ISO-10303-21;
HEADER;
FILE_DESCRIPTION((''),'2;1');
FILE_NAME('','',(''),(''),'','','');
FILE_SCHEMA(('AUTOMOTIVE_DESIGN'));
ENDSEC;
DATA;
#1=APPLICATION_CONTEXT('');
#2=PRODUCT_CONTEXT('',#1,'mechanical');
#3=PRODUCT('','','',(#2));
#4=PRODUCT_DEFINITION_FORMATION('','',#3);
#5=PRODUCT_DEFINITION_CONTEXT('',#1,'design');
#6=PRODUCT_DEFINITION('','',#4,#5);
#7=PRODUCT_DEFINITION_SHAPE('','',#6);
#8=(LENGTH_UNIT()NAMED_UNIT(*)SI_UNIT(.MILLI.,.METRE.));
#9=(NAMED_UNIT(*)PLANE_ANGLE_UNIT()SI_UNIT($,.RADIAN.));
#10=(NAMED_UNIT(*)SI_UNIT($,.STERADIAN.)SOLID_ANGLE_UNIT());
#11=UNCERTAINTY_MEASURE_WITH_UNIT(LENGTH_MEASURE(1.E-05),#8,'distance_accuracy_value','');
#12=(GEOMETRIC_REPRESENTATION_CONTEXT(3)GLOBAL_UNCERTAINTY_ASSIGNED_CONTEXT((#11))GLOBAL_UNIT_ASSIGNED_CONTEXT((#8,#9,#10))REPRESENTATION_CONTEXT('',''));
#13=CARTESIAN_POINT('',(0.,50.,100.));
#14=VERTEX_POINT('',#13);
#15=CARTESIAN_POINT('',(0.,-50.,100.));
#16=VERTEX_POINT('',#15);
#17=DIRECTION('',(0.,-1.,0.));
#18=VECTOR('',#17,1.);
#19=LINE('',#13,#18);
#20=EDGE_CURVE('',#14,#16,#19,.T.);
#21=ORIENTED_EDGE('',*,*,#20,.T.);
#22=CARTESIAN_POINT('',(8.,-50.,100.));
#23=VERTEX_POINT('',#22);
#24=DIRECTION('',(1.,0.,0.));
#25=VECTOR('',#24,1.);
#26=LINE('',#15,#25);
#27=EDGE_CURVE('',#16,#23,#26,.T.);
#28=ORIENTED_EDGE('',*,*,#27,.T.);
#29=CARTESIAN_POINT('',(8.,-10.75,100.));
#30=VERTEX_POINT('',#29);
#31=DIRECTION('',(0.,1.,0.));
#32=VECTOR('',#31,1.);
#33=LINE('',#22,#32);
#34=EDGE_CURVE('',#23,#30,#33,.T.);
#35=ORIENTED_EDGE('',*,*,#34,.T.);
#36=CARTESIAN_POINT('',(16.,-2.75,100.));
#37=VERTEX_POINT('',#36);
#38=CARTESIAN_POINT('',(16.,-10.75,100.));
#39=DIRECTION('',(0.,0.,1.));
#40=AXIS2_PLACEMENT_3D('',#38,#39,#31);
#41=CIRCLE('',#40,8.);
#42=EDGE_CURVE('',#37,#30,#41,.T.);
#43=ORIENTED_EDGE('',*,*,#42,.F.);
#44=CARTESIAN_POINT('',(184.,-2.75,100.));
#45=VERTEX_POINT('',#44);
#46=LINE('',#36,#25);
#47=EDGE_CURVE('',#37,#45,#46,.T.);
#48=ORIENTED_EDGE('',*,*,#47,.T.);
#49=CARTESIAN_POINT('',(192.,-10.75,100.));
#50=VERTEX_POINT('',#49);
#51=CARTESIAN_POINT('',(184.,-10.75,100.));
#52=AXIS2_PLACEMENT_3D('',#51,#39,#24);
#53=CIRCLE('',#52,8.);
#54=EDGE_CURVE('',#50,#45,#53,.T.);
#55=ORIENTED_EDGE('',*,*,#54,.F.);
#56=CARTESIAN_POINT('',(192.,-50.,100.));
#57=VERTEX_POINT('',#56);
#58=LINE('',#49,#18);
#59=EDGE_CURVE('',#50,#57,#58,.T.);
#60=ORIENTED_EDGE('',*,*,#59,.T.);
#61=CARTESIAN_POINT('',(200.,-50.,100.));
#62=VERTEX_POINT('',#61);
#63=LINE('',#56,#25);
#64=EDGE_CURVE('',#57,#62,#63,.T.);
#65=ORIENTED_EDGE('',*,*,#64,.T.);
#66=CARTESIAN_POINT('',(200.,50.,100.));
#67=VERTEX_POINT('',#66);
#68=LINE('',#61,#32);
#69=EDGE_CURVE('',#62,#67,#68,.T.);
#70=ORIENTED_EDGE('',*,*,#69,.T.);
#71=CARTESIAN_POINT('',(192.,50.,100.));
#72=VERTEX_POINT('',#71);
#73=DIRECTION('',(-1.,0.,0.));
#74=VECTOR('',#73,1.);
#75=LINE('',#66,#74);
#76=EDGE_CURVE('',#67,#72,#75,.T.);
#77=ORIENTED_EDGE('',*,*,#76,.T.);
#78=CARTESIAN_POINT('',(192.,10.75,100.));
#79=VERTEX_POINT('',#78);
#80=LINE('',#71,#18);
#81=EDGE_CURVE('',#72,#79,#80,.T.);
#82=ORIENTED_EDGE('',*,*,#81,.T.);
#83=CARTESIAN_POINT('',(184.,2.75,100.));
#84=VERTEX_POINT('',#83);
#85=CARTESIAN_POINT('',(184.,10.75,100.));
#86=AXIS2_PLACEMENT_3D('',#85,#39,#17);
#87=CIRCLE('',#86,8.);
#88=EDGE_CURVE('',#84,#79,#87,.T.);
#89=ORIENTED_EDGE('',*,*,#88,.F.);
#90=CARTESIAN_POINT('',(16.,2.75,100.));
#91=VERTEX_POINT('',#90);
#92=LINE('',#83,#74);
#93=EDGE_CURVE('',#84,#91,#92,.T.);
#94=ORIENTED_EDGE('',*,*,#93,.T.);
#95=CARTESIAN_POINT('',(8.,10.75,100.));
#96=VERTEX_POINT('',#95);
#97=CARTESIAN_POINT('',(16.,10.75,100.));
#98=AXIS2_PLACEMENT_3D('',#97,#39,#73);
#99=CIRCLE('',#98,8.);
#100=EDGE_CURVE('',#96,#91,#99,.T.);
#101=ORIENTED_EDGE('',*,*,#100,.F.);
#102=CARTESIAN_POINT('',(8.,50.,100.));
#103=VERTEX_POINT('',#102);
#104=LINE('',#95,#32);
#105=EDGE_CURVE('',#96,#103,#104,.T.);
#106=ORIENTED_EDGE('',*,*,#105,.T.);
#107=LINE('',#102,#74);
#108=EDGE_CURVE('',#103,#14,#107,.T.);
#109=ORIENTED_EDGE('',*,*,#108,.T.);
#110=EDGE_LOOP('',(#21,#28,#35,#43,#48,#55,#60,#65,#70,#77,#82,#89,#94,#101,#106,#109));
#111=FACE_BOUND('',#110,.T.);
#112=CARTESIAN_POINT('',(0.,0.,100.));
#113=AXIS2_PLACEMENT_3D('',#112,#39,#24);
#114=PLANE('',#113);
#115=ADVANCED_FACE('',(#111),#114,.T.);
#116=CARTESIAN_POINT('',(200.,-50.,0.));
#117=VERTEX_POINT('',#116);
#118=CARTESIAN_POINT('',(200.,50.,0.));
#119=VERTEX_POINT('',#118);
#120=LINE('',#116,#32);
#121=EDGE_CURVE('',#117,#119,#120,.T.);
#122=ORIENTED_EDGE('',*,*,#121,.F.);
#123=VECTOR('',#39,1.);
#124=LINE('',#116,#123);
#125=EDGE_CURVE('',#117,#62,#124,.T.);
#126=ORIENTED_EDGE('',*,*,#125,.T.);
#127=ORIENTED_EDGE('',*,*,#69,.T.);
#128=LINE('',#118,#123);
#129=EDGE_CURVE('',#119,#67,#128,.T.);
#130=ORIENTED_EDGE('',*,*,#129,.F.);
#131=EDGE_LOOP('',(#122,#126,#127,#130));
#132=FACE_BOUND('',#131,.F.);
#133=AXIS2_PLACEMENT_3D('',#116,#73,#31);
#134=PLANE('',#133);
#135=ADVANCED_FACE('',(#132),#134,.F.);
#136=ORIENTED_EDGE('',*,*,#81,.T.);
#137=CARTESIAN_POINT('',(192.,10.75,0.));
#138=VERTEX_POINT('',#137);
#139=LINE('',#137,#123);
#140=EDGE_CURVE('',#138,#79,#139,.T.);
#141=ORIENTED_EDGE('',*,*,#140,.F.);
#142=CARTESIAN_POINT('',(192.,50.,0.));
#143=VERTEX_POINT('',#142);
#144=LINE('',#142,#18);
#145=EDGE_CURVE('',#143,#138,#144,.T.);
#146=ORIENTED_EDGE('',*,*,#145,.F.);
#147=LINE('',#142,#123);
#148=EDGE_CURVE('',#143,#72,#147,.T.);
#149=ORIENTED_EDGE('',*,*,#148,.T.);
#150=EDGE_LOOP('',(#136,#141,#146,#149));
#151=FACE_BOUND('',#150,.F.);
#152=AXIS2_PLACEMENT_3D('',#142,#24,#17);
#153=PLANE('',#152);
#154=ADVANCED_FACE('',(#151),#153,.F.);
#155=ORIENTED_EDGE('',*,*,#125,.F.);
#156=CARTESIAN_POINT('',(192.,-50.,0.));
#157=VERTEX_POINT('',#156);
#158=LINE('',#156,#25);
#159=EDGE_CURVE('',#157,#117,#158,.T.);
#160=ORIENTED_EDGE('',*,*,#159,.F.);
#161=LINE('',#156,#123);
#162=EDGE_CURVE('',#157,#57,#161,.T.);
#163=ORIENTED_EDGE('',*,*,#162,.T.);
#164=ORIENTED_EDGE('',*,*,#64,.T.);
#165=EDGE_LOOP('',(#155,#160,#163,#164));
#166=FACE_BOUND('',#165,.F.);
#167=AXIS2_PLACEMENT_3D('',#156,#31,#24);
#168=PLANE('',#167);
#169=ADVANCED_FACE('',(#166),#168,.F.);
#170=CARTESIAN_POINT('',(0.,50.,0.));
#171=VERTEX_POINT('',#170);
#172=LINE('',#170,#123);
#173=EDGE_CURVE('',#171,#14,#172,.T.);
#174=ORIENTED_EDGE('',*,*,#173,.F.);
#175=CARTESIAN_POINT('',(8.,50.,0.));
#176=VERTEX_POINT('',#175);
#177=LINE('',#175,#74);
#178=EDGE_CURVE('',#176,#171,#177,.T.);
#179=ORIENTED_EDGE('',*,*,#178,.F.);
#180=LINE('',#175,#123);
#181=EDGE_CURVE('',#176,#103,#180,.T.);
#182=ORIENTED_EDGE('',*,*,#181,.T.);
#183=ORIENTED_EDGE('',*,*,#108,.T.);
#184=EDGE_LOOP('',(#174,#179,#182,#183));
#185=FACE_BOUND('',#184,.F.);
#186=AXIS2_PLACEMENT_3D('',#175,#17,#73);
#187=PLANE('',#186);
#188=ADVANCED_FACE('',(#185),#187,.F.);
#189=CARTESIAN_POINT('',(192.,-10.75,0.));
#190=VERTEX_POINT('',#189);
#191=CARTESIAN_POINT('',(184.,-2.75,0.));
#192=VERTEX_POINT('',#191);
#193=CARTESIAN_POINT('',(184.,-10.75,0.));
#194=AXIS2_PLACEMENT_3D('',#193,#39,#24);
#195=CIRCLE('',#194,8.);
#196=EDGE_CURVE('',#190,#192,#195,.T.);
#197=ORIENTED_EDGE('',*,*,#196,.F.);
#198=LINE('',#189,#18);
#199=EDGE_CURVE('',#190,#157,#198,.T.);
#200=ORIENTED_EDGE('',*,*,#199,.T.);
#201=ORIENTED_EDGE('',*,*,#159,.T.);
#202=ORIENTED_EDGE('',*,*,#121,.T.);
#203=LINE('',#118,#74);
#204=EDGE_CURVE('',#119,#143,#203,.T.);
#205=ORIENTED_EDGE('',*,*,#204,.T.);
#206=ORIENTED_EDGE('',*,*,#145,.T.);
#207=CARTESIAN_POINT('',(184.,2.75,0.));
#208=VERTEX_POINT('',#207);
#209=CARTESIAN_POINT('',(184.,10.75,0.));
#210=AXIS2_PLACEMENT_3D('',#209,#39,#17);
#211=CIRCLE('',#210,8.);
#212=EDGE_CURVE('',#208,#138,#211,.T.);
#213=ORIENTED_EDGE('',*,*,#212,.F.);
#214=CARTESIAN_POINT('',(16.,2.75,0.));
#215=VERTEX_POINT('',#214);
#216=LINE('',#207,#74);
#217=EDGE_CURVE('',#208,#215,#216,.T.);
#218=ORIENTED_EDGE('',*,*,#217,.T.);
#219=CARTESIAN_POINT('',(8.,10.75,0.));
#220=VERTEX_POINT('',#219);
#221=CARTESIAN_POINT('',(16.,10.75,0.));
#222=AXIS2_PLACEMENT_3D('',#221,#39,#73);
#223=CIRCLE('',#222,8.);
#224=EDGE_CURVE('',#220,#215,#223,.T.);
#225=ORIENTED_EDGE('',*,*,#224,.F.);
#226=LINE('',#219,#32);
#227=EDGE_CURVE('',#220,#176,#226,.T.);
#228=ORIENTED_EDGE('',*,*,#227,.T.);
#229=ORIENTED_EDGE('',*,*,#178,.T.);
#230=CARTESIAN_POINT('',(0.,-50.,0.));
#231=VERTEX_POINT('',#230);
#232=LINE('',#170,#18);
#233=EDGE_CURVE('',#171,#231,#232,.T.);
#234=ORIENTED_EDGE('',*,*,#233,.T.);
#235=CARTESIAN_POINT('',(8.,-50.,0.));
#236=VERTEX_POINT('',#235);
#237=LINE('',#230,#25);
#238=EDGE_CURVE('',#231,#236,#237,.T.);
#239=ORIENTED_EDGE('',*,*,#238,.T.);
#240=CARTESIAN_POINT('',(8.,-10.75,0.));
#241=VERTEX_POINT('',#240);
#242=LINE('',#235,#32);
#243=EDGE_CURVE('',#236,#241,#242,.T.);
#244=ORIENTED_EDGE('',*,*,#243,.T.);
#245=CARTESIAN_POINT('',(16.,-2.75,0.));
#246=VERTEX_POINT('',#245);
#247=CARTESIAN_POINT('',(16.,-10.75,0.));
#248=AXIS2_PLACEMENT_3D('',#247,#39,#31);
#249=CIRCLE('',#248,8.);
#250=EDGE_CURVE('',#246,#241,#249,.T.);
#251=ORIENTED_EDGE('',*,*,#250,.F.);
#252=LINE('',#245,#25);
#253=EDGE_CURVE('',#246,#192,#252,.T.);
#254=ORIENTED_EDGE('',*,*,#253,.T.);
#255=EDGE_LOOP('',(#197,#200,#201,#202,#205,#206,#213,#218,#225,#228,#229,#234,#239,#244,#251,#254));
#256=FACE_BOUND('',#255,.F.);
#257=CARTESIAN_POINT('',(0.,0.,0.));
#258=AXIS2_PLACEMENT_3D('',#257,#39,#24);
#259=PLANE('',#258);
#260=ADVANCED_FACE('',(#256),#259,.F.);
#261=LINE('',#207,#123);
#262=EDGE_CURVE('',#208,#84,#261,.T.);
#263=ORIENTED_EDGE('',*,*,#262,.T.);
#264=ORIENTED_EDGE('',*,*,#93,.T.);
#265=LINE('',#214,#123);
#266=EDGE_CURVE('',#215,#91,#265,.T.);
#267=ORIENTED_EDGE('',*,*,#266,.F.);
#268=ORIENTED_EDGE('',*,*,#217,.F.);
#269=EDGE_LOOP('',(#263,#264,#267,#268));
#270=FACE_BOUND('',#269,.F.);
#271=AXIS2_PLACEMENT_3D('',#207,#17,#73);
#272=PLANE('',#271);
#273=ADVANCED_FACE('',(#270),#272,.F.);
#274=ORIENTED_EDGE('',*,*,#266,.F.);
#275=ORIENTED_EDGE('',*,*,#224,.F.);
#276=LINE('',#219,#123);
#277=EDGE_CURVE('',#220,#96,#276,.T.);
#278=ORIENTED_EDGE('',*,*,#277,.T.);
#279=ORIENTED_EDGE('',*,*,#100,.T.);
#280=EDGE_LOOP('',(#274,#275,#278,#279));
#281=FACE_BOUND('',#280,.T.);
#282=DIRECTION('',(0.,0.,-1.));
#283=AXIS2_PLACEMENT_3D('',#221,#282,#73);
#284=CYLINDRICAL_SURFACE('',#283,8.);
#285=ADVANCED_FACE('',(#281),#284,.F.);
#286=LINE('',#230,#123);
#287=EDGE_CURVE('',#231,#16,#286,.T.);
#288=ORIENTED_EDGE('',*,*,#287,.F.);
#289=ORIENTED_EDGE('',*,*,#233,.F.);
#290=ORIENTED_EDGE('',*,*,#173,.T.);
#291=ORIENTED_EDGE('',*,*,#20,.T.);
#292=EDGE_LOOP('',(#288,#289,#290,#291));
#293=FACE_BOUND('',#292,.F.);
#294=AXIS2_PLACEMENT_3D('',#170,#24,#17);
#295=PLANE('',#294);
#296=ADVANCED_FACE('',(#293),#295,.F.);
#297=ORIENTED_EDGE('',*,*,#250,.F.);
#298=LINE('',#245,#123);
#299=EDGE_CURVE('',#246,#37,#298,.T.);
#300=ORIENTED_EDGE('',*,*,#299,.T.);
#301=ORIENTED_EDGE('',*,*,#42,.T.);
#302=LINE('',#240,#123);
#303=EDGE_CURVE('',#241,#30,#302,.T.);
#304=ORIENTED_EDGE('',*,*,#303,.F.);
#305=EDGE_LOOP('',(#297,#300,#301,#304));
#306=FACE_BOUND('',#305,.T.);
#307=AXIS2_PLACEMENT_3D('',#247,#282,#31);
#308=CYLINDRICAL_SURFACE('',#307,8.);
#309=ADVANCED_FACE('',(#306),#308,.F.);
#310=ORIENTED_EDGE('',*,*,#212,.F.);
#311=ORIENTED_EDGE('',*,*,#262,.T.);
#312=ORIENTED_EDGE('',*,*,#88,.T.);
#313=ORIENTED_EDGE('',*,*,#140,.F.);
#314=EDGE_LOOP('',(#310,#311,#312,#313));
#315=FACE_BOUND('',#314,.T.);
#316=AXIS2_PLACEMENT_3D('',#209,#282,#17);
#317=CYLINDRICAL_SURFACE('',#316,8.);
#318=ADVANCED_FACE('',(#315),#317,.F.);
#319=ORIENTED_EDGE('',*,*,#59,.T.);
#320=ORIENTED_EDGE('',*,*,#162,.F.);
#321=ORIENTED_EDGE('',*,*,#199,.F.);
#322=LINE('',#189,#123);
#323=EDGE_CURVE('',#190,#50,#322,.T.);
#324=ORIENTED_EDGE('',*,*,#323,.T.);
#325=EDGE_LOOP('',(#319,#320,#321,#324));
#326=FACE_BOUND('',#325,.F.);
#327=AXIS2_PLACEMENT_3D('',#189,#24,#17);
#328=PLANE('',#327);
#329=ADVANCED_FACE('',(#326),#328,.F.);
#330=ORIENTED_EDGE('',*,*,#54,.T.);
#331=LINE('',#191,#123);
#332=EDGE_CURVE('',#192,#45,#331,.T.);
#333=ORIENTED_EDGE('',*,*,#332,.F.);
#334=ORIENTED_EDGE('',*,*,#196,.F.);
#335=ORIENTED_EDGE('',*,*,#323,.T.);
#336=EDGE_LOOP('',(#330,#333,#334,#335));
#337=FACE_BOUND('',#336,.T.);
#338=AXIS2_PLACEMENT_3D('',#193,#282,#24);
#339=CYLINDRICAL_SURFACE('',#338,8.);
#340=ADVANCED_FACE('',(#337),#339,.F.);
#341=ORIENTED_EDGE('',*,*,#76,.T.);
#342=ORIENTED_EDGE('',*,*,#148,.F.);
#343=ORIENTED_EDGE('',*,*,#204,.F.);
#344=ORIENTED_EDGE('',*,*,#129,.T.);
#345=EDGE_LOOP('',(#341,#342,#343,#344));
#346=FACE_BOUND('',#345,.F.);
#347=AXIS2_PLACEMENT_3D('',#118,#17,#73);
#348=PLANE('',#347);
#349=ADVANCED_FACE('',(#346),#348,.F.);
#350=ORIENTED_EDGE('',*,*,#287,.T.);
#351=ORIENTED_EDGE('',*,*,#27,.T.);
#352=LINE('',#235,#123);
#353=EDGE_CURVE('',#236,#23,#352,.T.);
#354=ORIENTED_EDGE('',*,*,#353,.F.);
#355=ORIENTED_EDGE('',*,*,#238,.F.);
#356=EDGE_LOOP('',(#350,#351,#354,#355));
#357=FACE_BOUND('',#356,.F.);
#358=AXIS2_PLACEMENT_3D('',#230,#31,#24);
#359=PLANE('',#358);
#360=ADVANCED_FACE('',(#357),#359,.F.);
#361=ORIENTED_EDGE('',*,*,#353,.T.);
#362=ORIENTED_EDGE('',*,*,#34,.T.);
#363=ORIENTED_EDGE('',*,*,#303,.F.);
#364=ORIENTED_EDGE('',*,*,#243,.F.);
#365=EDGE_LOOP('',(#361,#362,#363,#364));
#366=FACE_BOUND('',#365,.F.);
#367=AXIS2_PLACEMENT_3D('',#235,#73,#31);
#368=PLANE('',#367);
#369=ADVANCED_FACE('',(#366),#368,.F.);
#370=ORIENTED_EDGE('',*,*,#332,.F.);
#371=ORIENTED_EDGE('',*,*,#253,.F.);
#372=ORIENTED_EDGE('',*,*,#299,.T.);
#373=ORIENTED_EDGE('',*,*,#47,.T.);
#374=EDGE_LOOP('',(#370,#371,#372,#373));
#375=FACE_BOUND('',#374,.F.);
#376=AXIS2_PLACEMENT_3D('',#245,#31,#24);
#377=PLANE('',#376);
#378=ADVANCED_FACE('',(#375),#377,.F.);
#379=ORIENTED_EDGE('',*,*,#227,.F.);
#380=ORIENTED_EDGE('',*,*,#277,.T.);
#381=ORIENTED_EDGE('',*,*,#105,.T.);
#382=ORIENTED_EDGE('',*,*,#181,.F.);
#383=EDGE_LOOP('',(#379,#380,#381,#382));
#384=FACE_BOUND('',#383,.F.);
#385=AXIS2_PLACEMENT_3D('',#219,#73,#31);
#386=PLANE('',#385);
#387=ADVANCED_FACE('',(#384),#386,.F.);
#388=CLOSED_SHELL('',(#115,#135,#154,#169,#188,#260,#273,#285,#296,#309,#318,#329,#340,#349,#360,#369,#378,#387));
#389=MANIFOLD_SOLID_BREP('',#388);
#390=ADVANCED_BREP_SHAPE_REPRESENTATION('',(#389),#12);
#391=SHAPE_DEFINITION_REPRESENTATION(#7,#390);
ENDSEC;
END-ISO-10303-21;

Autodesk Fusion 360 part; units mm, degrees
sketch "スケッチ1" plane through (0, 0, 0) normal (0, 0, 1) x (1, 0, 0)
  line L0 (0, 50) -> (0, -50)
  line L1 (8, -50) -> (8, -10.75)
  line L2 (0, -50) -> (8, -50)
  line L3 (8, 10.75) -> (8, 50)
  line L4 (8, 50) -> (0, 50)
  line L5 (200, -50) -> (200, 50)
  line L6 (192, -10.75) -> (192, -50)
  line L7 (192, -50) -> (200, -50)
  line L8 (184, 2.75) -> (16, 2.75)
  line L9 (16, -2.75) -> (184, -2.75)
  line L10 (192, 50) -> (192, 10.75)
  line L11 (200, 50) -> (192, 50)
  arc A0 (8, 10.75) -> (16, 2.75) centre (16, 10.75) ccw
  arc A1 (16, -2.75) -> (8, -10.75) centre (16, -10.75) ccw
  arc A2 (192, -10.75) -> (184, -2.75) centre (184, -10.75) ccw
  arc A3 (184, 2.75) -> (192, 10.75) centre (184, 10.75) ccw
extrude "押し出し1" add sketch "スケッチ1" along normal blind 100
